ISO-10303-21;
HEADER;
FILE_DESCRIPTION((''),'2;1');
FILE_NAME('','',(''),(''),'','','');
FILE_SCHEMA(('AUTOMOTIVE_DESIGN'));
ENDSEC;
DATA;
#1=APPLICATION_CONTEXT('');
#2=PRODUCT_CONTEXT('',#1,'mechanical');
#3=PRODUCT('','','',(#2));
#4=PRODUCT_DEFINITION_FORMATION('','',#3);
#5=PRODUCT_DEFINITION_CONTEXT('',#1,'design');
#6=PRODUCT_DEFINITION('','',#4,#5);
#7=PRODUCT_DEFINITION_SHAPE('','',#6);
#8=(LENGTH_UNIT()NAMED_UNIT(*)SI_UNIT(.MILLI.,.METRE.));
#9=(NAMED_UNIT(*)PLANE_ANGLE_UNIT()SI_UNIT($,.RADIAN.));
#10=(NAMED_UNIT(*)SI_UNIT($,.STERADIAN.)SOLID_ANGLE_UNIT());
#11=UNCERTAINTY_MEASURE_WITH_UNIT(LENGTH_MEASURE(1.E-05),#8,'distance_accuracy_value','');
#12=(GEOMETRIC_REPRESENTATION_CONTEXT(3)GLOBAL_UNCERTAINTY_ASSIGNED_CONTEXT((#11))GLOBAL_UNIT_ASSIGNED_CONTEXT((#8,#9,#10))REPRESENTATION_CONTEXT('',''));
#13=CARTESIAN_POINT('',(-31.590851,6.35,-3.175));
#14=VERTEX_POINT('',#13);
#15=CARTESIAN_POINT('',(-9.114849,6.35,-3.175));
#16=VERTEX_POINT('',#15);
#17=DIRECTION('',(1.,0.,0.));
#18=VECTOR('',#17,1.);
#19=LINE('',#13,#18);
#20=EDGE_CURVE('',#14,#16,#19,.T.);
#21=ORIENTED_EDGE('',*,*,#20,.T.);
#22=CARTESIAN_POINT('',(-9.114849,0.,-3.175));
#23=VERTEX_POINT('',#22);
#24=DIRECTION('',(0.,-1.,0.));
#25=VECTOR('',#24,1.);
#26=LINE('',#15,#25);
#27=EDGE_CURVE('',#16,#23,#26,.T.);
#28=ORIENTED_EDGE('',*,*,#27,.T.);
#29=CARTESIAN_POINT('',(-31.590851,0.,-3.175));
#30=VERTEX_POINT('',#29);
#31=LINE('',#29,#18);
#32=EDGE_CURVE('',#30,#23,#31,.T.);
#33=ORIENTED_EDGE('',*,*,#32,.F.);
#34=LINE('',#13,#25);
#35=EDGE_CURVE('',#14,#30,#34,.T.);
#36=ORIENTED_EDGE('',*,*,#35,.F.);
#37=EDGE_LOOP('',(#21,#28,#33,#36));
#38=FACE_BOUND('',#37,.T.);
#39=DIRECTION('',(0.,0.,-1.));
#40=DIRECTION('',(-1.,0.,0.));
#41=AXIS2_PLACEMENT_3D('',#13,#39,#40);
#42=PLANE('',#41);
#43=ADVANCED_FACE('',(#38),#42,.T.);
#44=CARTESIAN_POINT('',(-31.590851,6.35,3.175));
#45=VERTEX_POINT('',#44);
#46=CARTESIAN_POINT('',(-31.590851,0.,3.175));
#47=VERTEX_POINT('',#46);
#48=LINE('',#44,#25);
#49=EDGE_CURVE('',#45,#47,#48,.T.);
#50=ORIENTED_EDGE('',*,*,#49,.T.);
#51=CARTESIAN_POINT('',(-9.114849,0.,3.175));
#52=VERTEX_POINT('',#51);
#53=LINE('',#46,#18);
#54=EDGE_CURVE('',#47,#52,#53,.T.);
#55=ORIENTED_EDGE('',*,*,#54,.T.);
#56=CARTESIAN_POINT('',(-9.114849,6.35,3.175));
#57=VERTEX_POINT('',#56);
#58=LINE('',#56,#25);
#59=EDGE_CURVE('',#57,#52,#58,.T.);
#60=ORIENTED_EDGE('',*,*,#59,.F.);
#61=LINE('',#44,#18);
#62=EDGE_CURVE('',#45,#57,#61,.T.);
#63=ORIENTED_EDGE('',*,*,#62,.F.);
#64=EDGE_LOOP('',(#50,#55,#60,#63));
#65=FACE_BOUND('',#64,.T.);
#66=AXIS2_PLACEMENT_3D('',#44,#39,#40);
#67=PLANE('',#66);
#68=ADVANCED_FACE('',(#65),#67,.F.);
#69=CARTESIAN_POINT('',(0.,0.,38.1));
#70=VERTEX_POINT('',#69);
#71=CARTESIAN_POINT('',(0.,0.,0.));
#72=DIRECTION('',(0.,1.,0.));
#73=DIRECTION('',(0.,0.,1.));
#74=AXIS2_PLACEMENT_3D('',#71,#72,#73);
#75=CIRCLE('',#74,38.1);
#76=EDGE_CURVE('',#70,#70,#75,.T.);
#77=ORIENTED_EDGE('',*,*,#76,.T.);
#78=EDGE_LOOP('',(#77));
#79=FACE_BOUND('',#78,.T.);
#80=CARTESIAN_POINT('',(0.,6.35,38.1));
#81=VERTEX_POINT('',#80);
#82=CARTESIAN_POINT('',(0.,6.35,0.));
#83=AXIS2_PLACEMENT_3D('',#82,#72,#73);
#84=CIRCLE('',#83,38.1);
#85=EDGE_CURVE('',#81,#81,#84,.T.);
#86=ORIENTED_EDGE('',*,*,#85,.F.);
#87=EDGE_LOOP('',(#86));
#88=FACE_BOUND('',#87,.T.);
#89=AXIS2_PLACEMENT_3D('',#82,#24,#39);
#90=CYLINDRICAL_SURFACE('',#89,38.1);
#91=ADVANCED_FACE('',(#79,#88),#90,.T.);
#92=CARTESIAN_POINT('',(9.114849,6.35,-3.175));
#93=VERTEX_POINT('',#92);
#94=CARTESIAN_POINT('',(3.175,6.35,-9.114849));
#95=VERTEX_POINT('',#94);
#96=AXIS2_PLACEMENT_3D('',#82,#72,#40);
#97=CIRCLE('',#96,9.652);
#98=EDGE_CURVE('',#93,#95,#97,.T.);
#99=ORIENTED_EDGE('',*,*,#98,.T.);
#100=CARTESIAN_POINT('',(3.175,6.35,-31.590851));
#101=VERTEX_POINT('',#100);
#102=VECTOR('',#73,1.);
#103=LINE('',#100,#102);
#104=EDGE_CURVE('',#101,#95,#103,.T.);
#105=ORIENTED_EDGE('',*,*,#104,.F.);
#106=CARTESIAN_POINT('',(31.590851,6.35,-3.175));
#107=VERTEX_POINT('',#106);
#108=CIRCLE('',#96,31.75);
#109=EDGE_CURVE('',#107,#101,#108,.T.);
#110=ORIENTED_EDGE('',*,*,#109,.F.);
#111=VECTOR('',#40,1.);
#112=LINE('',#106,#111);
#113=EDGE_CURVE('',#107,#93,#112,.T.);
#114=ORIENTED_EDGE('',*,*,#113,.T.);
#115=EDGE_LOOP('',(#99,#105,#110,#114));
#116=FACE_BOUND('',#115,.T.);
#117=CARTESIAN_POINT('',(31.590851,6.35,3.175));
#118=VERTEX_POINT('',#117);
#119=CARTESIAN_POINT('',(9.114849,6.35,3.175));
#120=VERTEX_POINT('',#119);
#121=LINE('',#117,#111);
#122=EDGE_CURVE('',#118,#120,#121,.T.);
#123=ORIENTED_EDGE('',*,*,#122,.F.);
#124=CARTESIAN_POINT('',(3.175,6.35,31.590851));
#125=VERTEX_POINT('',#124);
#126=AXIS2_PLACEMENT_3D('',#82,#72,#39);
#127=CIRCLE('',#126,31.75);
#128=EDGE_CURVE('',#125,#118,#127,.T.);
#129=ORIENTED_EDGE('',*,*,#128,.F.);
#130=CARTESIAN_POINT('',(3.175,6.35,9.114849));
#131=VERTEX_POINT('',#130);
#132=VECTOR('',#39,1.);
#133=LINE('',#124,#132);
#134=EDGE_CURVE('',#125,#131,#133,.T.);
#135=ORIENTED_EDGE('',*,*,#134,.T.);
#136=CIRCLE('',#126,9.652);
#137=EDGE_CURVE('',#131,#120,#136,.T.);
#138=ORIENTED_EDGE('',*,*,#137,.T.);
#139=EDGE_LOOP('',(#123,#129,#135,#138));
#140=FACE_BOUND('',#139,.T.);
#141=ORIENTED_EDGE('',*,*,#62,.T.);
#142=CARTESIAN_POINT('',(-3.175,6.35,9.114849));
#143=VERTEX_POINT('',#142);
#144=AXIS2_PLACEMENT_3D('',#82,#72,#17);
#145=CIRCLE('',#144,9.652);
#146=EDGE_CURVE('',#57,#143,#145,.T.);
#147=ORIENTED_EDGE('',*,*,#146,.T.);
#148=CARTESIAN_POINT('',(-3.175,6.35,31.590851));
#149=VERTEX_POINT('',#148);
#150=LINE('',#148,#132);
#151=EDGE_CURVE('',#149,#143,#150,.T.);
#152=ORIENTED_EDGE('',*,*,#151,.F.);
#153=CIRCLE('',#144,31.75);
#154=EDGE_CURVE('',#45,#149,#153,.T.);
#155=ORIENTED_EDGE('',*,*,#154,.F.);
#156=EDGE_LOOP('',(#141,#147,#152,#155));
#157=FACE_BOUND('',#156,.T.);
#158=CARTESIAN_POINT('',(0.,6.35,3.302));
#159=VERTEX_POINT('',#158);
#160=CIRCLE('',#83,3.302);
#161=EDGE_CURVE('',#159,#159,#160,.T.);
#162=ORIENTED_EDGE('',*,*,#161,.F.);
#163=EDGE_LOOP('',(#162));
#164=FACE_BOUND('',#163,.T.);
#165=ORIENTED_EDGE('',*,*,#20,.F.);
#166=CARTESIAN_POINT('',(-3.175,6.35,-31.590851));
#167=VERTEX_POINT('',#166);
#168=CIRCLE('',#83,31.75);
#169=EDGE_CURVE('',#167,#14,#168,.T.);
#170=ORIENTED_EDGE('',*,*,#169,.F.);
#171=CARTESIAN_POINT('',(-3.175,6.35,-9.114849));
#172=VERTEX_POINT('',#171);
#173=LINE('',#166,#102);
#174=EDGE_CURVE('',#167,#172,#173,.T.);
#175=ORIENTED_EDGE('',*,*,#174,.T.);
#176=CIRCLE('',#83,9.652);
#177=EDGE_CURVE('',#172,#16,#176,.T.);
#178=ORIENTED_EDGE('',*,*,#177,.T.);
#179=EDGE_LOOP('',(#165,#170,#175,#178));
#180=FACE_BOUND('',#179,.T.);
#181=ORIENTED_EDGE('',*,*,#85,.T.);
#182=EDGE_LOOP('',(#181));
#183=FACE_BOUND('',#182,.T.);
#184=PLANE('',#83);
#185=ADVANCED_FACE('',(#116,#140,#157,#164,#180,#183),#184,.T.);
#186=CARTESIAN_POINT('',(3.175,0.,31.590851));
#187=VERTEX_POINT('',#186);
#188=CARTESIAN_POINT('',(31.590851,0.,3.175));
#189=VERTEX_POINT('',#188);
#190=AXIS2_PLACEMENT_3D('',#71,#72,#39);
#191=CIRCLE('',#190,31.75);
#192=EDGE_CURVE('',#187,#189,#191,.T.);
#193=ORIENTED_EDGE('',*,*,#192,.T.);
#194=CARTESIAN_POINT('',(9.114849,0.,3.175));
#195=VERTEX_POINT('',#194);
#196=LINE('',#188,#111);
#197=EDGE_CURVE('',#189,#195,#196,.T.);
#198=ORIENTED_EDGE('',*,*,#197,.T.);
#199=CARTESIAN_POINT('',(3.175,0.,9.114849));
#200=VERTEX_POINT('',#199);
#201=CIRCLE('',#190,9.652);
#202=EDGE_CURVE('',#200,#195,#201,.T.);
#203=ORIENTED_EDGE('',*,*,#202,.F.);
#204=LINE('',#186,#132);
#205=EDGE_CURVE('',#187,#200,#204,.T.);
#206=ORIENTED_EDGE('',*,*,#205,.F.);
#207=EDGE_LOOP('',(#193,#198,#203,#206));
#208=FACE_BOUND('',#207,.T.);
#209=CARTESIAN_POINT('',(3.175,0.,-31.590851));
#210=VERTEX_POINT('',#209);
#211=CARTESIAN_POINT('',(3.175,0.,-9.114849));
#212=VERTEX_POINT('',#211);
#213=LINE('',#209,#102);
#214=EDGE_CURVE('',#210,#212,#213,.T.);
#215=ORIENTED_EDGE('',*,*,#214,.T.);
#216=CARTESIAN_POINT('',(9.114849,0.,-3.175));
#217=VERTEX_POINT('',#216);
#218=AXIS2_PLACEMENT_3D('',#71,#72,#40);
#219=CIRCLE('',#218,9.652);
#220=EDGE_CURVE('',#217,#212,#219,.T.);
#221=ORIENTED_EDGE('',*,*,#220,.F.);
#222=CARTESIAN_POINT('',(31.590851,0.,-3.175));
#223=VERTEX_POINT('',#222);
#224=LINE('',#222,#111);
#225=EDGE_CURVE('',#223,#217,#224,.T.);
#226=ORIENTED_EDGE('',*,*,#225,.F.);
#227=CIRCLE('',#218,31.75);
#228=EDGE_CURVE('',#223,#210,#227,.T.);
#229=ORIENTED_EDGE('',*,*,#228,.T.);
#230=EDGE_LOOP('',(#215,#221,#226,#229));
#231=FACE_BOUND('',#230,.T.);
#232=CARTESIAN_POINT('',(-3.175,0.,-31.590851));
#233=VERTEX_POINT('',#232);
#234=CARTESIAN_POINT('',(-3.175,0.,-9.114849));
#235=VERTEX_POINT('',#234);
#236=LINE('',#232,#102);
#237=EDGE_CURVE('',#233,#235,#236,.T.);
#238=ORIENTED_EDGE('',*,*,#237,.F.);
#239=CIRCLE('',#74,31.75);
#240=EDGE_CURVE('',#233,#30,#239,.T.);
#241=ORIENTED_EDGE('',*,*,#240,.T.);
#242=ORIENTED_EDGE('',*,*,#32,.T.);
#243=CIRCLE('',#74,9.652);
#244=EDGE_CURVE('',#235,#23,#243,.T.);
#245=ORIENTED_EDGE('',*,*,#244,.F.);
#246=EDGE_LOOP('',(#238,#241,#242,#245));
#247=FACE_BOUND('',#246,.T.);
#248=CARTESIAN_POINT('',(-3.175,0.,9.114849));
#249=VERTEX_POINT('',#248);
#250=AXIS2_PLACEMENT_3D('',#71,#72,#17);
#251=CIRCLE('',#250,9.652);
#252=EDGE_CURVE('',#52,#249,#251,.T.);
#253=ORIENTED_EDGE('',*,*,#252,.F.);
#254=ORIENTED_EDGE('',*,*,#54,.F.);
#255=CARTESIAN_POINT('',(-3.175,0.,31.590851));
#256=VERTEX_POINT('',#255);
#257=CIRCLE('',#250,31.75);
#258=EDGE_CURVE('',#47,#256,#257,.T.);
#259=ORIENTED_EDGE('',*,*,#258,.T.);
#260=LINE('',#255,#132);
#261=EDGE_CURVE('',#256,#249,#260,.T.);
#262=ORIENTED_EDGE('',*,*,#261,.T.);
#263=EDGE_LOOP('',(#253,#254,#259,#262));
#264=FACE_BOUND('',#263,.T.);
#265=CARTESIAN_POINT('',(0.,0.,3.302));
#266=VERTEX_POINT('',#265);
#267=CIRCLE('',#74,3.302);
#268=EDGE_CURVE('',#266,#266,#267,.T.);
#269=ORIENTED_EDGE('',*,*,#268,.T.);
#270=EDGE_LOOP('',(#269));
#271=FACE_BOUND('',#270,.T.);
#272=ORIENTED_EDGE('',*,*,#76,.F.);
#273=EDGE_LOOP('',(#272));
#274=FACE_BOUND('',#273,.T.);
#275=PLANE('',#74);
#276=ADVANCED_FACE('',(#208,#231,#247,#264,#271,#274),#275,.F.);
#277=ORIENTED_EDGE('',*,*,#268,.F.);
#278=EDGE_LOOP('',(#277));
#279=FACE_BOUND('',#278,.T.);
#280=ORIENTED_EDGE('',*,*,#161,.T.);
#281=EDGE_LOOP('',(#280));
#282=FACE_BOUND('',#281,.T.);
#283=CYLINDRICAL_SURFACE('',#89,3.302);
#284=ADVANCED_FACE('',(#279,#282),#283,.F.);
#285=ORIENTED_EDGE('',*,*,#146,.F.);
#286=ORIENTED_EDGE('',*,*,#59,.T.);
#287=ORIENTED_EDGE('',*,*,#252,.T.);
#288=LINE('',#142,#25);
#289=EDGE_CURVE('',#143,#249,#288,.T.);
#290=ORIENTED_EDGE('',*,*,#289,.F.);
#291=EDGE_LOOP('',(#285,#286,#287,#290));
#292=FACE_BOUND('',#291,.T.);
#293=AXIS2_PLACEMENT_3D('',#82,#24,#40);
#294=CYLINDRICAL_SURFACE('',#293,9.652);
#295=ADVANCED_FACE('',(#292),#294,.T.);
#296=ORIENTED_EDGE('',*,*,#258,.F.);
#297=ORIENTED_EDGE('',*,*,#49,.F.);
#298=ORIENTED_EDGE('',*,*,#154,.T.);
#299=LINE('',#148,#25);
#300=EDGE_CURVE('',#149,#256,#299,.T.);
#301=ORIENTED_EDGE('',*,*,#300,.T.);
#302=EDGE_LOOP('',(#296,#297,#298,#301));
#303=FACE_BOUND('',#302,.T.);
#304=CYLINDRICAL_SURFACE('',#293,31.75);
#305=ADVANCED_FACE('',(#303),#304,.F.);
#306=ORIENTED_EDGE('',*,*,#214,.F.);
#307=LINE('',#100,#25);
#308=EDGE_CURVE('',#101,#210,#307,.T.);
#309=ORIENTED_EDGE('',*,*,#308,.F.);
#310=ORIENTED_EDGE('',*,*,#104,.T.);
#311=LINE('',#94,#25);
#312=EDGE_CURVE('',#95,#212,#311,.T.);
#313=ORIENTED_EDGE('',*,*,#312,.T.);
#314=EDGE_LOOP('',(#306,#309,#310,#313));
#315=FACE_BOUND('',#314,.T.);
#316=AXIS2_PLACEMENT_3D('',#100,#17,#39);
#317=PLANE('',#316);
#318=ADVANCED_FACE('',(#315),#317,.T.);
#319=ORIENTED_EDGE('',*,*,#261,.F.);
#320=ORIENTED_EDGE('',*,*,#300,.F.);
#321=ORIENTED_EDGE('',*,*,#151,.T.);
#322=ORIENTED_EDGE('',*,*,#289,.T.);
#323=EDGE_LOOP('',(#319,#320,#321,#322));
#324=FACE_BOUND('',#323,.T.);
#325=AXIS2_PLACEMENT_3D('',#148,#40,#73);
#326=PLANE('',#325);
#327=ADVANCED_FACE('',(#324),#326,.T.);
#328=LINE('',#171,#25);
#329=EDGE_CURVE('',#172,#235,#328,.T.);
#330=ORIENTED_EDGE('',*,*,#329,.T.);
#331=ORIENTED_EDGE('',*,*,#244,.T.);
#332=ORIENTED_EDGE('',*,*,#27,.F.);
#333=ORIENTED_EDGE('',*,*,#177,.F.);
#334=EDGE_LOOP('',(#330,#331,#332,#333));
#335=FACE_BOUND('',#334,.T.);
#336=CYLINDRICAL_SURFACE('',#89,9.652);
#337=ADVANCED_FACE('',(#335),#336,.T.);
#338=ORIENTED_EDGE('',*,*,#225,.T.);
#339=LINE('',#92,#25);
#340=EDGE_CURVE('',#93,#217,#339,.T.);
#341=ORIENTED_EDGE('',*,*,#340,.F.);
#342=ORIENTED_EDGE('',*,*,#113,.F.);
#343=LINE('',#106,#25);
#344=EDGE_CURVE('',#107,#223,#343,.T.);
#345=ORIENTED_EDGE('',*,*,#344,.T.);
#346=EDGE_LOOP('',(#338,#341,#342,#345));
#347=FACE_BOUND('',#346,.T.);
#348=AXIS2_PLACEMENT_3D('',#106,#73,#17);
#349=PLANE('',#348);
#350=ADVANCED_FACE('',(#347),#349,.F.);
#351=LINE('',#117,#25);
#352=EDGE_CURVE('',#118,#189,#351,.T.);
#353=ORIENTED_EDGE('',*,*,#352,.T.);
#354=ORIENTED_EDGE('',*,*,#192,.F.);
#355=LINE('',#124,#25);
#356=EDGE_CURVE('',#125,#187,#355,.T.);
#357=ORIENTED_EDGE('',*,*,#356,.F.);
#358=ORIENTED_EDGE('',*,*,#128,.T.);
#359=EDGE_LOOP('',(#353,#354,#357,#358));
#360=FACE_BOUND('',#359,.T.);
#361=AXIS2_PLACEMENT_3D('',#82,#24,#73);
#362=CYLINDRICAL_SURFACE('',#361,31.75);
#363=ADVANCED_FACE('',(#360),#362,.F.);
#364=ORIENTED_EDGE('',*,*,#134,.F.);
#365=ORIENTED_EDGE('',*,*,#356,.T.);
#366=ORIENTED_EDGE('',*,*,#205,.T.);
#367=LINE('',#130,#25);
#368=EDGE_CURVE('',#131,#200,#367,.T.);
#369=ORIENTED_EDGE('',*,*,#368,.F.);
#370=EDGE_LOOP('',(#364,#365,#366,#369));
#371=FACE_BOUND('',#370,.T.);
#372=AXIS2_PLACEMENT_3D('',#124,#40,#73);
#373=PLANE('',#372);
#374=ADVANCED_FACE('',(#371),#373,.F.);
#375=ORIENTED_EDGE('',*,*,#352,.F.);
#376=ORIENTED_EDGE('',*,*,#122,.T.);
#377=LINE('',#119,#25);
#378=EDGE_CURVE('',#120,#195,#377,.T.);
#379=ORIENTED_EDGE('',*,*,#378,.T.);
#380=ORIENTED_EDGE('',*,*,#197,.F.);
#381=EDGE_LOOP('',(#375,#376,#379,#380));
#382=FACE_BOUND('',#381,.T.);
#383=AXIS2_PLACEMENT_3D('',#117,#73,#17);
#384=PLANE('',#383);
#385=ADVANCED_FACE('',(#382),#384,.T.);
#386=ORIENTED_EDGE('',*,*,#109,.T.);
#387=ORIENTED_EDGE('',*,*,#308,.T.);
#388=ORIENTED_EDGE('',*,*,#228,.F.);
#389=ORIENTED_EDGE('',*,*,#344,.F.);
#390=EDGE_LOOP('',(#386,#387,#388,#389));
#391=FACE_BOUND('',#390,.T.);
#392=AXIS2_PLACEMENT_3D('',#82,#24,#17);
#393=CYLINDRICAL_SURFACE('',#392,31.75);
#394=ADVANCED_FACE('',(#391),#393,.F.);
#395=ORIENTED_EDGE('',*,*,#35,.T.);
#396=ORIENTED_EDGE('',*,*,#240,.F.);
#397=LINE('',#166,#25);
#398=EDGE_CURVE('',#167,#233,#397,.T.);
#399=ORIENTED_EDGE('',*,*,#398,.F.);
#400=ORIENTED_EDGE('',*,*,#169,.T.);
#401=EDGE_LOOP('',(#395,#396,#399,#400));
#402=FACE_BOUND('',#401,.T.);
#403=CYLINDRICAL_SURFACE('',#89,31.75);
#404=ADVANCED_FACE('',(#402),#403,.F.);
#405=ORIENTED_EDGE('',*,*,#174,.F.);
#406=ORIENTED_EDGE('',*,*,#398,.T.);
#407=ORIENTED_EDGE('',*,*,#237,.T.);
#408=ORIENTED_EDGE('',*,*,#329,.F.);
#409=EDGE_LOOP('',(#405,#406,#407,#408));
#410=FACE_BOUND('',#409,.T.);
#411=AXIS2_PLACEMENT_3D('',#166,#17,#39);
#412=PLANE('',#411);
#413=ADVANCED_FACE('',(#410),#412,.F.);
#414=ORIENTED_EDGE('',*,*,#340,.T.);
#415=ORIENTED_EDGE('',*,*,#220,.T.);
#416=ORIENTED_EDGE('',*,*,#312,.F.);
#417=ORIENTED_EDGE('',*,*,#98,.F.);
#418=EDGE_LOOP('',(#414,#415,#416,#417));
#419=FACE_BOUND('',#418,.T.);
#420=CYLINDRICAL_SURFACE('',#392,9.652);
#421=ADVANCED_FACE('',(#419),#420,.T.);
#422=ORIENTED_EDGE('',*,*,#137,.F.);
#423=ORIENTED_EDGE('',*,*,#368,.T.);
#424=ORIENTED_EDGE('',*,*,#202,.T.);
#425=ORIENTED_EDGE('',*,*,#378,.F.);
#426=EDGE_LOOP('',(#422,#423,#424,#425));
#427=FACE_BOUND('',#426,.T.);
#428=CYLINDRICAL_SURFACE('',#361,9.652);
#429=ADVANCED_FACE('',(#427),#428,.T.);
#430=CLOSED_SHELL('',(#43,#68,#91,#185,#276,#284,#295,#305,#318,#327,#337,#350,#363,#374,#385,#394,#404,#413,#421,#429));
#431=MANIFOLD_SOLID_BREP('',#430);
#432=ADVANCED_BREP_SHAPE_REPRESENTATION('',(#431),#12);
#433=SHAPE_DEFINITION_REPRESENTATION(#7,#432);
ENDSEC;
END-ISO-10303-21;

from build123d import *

# Parameters (mm, degrees)
SKETCH1_R           = 38.1
SKETCH1_R_2         = 3.302
BOSS_EXTRUDE1_DEPTH = 6.35
CUT_EXTRUDE4_DEPTH  = 55.254423783
CIRPATTERN1_COUNT   = 4


with BuildPart() as part:
    # Sketch1 → Boss-Extrude1 (new body)
    with BuildSketch(Plane(origin=(0, 0, 0), x_dir=(1, 0, 0), z_dir=(0, 1, 0))):
        with Locations(Location((0, 0, 0), (0, 0, 270))):
            Circle(SKETCH1_R)
        with Locations(Location((0, 0, 0), (0, 0, 270))):
            Circle(SKETCH1_R_2, mode=Mode.SUBTRACT)
    extrude(amount=BOSS_EXTRUDE1_DEPTH)

    # Sketch2 → Cut-Extrude4 (cut, through all)
    with BuildSketch(Plane(origin=(0, 0, 0), x_dir=(1, 0, 0), z_dir=(0, 1, 0))):
        with BuildLine():
            Line((-31.590851128, 3.175), (-9.114849368, 3.175))
            ThreePointArc((-9.114849368, 3.175), (-6.824994652, 6.824994652), (-3.175, 9.114849368))
            Line((-3.175, 9.114849368), (-3.175, 31.590851128))
            ThreePointArc((-3.175, 31.590851128), (-22.450640303, 22.450640303), (-31.590851128, 3.175))
        make_face()
    cut_extrude4 = extrude(amount=CUT_EXTRUDE4_DEPTH, mode=Mode.SUBTRACT)

    # CirPattern1: Cut-Extrude4 ×4 about axis
    cirpattern1_axis = Axis((0, 0, 0), (0, 1, 0))
    for i in range(1, CIRPATTERN1_COUNT):
        add(cut_extrude4.rotate(cirpattern1_axis, i * 360 / CIRPATTERN1_COUNT), mode=Mode.SUBTRACT)


solid = part.part
